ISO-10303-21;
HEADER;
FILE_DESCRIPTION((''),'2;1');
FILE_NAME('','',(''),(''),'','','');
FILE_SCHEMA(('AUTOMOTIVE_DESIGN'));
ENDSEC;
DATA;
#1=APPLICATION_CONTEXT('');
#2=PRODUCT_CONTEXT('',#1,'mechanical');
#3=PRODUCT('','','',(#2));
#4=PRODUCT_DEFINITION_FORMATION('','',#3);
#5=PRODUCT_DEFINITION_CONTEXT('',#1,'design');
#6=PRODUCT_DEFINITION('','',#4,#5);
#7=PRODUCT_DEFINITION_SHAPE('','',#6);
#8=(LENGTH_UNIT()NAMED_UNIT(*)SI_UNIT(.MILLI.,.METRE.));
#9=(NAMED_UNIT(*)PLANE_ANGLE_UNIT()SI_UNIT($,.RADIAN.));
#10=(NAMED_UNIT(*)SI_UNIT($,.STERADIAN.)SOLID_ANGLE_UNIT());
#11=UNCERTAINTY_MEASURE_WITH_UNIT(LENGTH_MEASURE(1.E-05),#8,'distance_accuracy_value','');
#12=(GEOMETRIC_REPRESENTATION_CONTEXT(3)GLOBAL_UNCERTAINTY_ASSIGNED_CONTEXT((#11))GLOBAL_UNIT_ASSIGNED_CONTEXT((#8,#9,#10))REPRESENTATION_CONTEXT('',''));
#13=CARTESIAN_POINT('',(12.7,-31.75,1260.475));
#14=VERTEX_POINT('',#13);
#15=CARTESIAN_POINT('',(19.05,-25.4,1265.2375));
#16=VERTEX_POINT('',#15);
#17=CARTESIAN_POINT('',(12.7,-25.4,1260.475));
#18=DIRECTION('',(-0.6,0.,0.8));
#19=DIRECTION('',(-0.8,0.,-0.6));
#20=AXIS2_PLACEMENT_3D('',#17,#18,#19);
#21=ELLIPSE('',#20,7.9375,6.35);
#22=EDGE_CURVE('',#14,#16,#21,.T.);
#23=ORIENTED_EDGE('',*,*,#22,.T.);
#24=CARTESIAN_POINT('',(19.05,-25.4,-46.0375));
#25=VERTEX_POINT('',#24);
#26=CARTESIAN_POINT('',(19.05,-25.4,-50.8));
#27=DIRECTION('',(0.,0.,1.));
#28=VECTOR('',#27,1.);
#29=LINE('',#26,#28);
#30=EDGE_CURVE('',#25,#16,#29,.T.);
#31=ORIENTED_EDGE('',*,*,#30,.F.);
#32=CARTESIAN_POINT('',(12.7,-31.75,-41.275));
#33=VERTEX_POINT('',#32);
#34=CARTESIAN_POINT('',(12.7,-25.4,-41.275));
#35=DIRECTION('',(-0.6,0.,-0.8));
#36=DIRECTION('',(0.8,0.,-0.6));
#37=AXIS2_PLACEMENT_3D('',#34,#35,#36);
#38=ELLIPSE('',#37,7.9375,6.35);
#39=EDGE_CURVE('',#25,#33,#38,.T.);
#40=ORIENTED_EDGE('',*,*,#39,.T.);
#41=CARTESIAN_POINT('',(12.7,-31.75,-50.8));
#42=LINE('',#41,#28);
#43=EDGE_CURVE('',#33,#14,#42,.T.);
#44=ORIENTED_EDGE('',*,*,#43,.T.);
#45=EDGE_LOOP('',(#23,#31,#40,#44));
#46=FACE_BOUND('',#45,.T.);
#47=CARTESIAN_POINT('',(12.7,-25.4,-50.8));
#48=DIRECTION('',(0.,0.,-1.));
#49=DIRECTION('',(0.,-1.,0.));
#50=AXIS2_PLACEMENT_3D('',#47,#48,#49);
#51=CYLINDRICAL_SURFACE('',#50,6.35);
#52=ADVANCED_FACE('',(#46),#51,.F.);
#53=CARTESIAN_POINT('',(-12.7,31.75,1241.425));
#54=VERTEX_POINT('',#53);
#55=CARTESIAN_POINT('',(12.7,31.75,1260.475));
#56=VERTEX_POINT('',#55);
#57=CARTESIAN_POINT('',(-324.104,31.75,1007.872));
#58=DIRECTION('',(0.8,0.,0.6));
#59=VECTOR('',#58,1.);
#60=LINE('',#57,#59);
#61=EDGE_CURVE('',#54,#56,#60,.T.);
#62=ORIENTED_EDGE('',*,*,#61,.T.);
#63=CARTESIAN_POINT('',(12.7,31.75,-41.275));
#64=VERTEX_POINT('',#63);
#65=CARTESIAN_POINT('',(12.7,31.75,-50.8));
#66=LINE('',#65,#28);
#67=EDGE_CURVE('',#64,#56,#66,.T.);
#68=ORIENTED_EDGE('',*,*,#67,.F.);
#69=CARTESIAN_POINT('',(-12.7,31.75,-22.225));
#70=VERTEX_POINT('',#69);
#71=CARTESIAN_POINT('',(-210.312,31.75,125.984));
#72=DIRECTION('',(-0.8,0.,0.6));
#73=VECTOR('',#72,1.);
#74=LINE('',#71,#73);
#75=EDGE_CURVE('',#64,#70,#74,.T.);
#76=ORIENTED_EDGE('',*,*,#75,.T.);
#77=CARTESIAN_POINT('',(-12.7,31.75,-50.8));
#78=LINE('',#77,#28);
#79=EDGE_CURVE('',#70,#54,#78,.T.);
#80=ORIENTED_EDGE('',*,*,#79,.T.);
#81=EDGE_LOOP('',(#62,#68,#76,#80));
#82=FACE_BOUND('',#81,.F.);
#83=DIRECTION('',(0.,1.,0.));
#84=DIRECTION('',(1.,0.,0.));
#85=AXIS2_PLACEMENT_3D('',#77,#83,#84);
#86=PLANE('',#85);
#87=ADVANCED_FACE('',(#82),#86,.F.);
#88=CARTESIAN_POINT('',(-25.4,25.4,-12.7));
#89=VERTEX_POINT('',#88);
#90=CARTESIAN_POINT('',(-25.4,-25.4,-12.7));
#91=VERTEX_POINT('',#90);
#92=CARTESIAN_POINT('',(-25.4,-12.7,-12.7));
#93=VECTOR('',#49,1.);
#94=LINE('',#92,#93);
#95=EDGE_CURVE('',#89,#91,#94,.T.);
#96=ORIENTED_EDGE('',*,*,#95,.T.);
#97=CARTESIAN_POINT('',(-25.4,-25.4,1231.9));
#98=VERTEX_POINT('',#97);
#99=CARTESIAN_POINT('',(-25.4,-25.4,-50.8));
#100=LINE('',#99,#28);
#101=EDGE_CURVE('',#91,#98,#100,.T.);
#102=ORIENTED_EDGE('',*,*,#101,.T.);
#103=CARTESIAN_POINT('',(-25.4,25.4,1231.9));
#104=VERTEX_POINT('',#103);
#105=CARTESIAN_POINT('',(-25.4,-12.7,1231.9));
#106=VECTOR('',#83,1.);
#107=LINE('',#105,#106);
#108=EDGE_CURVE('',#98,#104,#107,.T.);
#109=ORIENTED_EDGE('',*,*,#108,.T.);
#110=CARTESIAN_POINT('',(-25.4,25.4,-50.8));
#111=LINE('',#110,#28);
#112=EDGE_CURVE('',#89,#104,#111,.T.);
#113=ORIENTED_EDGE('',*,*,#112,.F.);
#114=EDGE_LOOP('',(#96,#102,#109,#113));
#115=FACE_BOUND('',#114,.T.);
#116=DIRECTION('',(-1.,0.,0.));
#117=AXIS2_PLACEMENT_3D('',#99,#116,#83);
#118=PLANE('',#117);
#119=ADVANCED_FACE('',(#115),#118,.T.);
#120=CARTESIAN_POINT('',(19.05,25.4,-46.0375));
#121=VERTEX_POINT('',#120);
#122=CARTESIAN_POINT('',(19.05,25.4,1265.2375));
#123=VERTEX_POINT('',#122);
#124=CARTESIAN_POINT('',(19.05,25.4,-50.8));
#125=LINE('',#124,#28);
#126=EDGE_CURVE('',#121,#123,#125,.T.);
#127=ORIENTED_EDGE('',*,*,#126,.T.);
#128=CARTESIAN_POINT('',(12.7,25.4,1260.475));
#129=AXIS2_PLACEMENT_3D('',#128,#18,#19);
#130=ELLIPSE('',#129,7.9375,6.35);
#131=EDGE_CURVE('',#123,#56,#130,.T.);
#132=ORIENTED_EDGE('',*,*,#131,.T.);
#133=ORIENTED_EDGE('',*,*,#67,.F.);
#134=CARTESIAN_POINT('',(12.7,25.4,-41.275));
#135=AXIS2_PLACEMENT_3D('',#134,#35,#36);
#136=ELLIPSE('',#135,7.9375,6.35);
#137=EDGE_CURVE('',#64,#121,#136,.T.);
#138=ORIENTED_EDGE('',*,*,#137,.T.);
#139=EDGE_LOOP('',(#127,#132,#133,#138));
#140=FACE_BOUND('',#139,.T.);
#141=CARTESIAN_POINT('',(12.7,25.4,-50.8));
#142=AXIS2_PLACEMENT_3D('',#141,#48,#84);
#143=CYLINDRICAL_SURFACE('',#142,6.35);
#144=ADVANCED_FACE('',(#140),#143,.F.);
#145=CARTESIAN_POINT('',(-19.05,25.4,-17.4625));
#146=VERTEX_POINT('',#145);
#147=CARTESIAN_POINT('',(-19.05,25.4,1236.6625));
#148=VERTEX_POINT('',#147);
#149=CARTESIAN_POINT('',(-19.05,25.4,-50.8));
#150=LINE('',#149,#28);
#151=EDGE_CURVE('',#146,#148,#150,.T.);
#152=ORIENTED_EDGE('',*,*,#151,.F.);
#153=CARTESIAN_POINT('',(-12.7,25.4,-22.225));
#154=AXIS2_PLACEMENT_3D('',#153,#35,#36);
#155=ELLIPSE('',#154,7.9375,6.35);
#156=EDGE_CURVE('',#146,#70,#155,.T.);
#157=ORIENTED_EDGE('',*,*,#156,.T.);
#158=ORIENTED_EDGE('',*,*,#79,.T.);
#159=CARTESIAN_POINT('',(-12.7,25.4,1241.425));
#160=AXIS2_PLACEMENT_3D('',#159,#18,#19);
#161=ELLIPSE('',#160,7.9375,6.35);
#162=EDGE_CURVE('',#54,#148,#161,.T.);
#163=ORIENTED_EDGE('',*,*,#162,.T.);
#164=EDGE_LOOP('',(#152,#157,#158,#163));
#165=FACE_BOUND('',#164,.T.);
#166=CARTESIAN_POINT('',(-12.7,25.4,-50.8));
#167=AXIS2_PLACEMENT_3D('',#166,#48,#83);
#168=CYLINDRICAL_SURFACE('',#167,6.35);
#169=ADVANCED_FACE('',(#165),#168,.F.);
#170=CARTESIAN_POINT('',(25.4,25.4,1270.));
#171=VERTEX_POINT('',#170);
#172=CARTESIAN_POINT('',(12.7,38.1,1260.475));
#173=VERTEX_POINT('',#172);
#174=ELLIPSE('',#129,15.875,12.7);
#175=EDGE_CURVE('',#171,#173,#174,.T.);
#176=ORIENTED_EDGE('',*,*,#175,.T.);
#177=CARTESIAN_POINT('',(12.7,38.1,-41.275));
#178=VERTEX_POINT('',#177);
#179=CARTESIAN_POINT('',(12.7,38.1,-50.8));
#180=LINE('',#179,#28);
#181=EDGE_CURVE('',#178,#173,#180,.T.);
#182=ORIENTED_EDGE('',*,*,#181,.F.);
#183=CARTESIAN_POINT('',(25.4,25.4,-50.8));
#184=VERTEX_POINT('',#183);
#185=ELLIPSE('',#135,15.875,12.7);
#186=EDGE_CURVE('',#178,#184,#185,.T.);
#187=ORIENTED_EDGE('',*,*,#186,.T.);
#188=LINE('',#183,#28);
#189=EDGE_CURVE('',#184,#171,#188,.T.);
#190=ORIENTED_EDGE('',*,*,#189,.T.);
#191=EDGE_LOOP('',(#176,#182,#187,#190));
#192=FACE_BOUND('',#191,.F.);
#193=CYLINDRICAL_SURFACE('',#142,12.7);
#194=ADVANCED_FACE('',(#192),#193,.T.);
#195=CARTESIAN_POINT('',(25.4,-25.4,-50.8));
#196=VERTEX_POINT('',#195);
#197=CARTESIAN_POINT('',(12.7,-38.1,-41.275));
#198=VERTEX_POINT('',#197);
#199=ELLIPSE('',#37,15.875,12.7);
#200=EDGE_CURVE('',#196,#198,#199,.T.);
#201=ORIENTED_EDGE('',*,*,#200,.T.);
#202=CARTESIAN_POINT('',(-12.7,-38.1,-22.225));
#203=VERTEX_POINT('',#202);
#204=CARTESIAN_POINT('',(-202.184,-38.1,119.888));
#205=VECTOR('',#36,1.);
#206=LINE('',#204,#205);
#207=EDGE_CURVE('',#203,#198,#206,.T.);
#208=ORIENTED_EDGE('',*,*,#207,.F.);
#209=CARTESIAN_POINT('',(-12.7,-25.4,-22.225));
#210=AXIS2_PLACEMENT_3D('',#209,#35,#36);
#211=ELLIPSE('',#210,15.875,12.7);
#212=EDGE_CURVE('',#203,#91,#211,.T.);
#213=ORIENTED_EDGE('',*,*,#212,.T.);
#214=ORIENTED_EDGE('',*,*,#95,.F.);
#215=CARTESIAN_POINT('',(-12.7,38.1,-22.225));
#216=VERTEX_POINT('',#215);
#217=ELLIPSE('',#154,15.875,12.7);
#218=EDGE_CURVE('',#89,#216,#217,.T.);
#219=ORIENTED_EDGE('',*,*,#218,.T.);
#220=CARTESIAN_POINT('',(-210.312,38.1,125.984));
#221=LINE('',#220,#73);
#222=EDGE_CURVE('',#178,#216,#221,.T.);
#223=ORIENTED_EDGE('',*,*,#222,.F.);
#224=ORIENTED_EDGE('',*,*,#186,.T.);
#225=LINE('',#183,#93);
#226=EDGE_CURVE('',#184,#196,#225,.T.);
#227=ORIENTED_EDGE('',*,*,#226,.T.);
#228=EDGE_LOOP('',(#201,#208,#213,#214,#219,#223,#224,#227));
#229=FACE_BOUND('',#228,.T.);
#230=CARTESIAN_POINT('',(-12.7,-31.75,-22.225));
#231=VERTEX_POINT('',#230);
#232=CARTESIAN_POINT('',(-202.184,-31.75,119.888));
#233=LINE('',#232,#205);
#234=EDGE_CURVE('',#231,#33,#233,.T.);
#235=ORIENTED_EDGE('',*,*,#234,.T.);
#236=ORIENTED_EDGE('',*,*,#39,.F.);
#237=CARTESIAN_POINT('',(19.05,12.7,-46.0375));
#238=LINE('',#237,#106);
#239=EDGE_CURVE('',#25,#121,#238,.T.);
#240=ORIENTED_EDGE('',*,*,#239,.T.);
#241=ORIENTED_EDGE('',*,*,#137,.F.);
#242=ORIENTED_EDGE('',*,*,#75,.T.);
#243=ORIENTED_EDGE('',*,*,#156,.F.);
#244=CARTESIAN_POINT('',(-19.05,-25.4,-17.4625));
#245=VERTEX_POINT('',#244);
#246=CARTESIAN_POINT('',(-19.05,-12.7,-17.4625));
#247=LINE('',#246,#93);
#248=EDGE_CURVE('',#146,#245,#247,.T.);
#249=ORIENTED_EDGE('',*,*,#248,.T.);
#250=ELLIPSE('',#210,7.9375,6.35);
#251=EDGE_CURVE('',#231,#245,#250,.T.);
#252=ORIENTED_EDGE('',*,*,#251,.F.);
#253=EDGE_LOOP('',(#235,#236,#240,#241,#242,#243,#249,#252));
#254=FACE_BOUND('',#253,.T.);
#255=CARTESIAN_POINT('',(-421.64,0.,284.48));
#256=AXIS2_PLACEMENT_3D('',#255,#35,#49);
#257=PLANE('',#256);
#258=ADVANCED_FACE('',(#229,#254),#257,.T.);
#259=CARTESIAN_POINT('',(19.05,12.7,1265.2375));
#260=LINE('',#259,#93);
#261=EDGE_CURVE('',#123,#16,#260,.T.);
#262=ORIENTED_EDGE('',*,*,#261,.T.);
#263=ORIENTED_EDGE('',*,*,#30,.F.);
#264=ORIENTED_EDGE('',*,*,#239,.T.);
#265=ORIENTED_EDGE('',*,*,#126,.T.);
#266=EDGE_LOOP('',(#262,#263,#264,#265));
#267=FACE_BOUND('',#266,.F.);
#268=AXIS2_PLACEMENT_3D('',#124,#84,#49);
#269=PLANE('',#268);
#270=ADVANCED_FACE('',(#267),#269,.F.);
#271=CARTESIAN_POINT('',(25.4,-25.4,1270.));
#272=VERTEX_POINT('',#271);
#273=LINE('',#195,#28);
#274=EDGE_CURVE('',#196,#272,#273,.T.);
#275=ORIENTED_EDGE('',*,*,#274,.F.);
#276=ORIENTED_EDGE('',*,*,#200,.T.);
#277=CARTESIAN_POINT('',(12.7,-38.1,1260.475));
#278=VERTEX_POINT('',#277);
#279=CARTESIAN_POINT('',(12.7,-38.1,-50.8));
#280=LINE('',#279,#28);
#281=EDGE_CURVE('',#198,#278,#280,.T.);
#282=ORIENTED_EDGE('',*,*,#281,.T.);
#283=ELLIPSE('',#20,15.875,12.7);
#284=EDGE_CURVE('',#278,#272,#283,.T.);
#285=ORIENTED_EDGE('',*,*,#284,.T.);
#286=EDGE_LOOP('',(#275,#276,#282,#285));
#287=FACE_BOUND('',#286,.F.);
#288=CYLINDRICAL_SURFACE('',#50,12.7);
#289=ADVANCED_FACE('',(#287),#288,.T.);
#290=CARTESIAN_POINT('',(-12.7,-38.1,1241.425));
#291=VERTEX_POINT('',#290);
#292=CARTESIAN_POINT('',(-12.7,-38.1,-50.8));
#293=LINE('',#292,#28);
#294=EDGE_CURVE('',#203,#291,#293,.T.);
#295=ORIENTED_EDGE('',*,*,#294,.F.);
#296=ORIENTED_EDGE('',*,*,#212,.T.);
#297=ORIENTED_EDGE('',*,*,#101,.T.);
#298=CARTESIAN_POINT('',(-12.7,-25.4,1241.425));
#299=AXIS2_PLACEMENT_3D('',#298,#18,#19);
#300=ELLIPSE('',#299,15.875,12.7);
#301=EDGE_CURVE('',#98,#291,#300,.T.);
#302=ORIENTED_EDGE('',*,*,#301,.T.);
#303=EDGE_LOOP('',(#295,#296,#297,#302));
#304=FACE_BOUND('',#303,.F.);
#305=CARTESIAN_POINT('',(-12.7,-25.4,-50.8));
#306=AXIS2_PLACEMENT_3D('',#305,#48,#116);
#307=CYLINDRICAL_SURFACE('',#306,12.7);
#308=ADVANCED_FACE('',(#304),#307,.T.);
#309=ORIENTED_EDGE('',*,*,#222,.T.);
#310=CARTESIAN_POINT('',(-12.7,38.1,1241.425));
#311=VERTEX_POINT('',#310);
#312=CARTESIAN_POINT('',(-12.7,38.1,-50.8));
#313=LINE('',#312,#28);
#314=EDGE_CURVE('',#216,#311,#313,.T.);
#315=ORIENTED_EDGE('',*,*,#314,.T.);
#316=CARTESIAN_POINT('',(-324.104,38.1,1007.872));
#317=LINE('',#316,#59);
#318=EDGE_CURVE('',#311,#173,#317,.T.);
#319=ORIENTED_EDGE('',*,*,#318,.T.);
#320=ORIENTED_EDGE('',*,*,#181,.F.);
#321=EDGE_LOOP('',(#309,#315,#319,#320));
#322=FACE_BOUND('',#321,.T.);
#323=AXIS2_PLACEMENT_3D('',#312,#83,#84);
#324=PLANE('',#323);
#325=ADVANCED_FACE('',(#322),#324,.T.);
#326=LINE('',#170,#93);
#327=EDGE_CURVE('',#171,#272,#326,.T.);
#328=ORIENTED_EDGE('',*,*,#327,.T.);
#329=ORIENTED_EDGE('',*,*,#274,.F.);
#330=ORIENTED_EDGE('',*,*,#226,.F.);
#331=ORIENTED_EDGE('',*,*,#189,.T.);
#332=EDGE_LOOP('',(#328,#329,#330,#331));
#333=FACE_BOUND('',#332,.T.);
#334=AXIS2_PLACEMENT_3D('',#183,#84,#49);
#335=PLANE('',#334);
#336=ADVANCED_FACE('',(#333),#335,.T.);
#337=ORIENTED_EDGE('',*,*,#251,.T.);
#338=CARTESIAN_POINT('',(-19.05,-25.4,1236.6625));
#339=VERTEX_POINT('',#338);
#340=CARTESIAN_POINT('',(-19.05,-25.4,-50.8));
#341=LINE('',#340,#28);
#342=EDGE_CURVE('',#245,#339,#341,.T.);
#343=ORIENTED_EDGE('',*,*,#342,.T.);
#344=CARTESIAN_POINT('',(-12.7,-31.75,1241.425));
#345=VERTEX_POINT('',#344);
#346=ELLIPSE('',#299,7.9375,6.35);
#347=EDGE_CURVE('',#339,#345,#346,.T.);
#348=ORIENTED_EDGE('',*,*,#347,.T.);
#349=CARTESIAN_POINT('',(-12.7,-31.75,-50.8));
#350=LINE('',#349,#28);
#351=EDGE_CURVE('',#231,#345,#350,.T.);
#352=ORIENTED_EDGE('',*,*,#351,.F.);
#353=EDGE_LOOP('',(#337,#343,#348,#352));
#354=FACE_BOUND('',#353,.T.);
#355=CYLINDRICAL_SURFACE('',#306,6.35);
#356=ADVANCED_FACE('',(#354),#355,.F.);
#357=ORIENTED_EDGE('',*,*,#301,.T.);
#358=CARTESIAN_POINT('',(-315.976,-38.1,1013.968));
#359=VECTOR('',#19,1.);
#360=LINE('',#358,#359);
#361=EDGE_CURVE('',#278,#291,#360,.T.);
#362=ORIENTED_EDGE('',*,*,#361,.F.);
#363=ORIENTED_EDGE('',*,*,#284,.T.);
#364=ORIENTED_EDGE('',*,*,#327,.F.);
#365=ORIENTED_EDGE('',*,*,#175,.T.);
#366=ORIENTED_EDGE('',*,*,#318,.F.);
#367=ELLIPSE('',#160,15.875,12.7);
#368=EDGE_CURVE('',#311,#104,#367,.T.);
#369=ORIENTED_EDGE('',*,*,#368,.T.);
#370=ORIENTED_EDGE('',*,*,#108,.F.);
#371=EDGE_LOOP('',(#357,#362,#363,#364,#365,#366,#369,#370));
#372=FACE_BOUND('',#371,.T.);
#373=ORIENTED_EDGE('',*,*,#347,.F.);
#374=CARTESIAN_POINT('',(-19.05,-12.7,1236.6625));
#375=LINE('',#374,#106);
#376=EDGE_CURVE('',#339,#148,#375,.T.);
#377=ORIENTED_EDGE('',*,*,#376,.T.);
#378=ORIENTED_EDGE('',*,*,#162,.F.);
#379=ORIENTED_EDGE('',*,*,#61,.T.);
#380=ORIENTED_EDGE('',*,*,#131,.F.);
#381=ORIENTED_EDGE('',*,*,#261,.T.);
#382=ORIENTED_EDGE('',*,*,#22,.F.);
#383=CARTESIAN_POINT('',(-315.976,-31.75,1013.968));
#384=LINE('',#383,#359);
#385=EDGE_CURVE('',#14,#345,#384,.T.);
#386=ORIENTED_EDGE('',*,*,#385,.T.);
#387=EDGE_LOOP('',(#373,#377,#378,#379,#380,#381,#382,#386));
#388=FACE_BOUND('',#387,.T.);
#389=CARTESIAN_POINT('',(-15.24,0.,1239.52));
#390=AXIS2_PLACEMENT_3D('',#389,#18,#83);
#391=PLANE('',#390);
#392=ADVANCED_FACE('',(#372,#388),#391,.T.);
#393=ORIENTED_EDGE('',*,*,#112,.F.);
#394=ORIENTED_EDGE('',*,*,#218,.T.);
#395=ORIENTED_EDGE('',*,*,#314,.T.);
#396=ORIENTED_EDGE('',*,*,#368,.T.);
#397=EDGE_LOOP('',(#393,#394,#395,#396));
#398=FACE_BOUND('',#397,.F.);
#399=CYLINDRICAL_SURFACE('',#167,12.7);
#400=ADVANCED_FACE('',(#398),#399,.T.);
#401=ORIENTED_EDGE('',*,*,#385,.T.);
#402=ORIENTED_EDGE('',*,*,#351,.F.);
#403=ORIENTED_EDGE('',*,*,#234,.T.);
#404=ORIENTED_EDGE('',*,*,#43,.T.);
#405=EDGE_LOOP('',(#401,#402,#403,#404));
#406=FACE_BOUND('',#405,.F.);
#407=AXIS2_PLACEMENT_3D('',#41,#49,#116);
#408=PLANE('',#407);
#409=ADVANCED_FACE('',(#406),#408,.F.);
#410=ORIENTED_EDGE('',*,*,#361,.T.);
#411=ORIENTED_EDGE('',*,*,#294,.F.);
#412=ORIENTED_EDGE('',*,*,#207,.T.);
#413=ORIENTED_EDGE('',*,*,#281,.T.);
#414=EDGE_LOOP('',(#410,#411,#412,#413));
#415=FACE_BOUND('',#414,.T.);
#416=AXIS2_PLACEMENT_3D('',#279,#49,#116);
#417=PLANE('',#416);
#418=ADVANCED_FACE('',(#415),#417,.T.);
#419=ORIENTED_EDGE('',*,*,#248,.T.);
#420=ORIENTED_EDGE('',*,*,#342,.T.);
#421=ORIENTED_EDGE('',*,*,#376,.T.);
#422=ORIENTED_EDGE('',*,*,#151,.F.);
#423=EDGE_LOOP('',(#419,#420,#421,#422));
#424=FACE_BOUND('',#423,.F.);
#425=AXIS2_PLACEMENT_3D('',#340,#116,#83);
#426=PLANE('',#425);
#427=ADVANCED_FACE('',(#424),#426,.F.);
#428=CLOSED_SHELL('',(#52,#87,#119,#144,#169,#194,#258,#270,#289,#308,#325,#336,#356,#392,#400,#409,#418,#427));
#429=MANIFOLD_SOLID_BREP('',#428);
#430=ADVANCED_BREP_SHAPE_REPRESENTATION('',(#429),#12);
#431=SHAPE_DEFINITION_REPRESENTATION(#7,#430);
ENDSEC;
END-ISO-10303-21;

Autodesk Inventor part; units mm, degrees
ref_plane "Start Plane" through (0, 0, -50.8) normal (0, 0, 1) x (1, 0, 0)
ref_plane "End Plane" through (0, 0, 1270) normal (0, 0, 1) x (1, 0, 0)
sketch "Sketch" plane through (0, 0, 0) normal (0, 0, 1) x (1, 0, 0)
  line L0 (-25.4, -25.4) -> (-25.4, 25.4)
  line L1 (-12.7, 38.1) -> (12.7, 38.1)
  line L2 (25.4, 25.4) -> (25.4, -25.4)
  line L3 (12.7, -38.1) -> (-12.7, -38.1)
  arc A0 (-25.4, -25.4) -> (-12.7, -38.1) centre (-12.7, -25.4) ccw
  arc A1 (-12.7, 38.1) -> (-25.4, 25.4) centre (-12.7, 25.4) ccw
  arc A2 (25.4, 25.4) -> (12.7, 38.1) centre (12.7, 25.4) ccw
  arc A3 (12.7, -38.1) -> (25.4, -25.4) centre (12.7, -25.4) ccw
  arc A4 (-12.7, 31.75) -> (-19.05, 25.4) centre (-12.7, 25.4) ccw
  line L4 (-12.7, 31.75) -> (12.7, 31.75)
  arc A5 (19.05, 25.4) -> (12.7, 31.75) centre (12.7, 25.4) ccw
  line L5 (19.05, 25.4) -> (19.05, -25.4)
  arc A6 (12.7, -31.75) -> (19.05, -25.4) centre (12.7, -25.4) ccw
  line L6 (12.7, -31.75) -> (-12.7, -31.75)
  arc A7 (-19.05, -25.4) -> (-12.7, -31.75) centre (-12.7, -25.4) ccw
  line L7 (-19.05, -25.4) -> (-19.05, 25.4)
  line L8 (0, 57.0224) -> (0, -57.0224) construction
  line L9 (-39.2424, 0) -> (39.2424, 0) construction
  dimension "d10" = 76.2
  dimension "d11" = 50.8
  dimension "d12" = 6.35
  dimension "d15" = 38.1
  dimension "d16" = 25.4
  dimension "d17" = 12.7
extrude "Body" add sketch "Sketch" along normal up to surface (1320.8 mm away) from surface at -50.8
sketch "Sketch3" plane through (0, 0, 0) normal (0, 0, 1) x (1, 0, 0)
  line L0 (0, 0) -> (10, 0)
ref_plane "Work Plane3" through (0, 0, 0) normal (0, -1, 0) x (1, 0, 0)
ref_plane "Work Plane4" through (-15.24, 0, 1239.52) normal (-0.6, 0, 0.8) x (0.8, 0, 0.6)
split "Split1" plane through (-15.24, 0, 1239.52) removes the side toward (-0.6, 0, 0.8)
ref_plane "Work Plane5" through (-421.64, 0, 284.48) normal (-0.6, 0, -0.8) x (-0.8, 0, 0.6)
split "Split2" plane through (-421.64, 0, 284.48) removes the side toward (-0.6, 0, -0.8)
sketch "Sketch4" plane through (0, 0, 0) normal (0, -1, 0) x (1, 0, 0)
  line L0 (-2, -50.8) -> (12, -50.8) projected
  line L1 (-2, 1270) -> (12, 1270) projected
  dimension "d19" = 1320.8
equation "\"d10\" = G_H"
equation "\"d11\" = G_W"
equation "\"d12\" = G_T"
equation "\"d15\" = 0.5 * d10"
equation "\"d16\" = 0.5 * d11"
equation "\"d17\" = G_IR"
equation "\"d3\" = G_L"
equation "\"G_W\" = 50.8"
equation "\"G_H\" = 76.2"
equation "\"G_T\" = 6.35"
equation "\"G_IR\" = 12.7"
equation "\"G_L\" = d19"
equation "\"G_OFFSET_START\" = 50.8"
equation "\"G_OFFSET_END\" = 50.8"
equation "\"d13\" = -G_OFFSET_START"
equation "\"B_L\" = 1219.2"
properties part number "AISC - 3 x 2 x 1/4 - 52" material "Steel, Mild"
